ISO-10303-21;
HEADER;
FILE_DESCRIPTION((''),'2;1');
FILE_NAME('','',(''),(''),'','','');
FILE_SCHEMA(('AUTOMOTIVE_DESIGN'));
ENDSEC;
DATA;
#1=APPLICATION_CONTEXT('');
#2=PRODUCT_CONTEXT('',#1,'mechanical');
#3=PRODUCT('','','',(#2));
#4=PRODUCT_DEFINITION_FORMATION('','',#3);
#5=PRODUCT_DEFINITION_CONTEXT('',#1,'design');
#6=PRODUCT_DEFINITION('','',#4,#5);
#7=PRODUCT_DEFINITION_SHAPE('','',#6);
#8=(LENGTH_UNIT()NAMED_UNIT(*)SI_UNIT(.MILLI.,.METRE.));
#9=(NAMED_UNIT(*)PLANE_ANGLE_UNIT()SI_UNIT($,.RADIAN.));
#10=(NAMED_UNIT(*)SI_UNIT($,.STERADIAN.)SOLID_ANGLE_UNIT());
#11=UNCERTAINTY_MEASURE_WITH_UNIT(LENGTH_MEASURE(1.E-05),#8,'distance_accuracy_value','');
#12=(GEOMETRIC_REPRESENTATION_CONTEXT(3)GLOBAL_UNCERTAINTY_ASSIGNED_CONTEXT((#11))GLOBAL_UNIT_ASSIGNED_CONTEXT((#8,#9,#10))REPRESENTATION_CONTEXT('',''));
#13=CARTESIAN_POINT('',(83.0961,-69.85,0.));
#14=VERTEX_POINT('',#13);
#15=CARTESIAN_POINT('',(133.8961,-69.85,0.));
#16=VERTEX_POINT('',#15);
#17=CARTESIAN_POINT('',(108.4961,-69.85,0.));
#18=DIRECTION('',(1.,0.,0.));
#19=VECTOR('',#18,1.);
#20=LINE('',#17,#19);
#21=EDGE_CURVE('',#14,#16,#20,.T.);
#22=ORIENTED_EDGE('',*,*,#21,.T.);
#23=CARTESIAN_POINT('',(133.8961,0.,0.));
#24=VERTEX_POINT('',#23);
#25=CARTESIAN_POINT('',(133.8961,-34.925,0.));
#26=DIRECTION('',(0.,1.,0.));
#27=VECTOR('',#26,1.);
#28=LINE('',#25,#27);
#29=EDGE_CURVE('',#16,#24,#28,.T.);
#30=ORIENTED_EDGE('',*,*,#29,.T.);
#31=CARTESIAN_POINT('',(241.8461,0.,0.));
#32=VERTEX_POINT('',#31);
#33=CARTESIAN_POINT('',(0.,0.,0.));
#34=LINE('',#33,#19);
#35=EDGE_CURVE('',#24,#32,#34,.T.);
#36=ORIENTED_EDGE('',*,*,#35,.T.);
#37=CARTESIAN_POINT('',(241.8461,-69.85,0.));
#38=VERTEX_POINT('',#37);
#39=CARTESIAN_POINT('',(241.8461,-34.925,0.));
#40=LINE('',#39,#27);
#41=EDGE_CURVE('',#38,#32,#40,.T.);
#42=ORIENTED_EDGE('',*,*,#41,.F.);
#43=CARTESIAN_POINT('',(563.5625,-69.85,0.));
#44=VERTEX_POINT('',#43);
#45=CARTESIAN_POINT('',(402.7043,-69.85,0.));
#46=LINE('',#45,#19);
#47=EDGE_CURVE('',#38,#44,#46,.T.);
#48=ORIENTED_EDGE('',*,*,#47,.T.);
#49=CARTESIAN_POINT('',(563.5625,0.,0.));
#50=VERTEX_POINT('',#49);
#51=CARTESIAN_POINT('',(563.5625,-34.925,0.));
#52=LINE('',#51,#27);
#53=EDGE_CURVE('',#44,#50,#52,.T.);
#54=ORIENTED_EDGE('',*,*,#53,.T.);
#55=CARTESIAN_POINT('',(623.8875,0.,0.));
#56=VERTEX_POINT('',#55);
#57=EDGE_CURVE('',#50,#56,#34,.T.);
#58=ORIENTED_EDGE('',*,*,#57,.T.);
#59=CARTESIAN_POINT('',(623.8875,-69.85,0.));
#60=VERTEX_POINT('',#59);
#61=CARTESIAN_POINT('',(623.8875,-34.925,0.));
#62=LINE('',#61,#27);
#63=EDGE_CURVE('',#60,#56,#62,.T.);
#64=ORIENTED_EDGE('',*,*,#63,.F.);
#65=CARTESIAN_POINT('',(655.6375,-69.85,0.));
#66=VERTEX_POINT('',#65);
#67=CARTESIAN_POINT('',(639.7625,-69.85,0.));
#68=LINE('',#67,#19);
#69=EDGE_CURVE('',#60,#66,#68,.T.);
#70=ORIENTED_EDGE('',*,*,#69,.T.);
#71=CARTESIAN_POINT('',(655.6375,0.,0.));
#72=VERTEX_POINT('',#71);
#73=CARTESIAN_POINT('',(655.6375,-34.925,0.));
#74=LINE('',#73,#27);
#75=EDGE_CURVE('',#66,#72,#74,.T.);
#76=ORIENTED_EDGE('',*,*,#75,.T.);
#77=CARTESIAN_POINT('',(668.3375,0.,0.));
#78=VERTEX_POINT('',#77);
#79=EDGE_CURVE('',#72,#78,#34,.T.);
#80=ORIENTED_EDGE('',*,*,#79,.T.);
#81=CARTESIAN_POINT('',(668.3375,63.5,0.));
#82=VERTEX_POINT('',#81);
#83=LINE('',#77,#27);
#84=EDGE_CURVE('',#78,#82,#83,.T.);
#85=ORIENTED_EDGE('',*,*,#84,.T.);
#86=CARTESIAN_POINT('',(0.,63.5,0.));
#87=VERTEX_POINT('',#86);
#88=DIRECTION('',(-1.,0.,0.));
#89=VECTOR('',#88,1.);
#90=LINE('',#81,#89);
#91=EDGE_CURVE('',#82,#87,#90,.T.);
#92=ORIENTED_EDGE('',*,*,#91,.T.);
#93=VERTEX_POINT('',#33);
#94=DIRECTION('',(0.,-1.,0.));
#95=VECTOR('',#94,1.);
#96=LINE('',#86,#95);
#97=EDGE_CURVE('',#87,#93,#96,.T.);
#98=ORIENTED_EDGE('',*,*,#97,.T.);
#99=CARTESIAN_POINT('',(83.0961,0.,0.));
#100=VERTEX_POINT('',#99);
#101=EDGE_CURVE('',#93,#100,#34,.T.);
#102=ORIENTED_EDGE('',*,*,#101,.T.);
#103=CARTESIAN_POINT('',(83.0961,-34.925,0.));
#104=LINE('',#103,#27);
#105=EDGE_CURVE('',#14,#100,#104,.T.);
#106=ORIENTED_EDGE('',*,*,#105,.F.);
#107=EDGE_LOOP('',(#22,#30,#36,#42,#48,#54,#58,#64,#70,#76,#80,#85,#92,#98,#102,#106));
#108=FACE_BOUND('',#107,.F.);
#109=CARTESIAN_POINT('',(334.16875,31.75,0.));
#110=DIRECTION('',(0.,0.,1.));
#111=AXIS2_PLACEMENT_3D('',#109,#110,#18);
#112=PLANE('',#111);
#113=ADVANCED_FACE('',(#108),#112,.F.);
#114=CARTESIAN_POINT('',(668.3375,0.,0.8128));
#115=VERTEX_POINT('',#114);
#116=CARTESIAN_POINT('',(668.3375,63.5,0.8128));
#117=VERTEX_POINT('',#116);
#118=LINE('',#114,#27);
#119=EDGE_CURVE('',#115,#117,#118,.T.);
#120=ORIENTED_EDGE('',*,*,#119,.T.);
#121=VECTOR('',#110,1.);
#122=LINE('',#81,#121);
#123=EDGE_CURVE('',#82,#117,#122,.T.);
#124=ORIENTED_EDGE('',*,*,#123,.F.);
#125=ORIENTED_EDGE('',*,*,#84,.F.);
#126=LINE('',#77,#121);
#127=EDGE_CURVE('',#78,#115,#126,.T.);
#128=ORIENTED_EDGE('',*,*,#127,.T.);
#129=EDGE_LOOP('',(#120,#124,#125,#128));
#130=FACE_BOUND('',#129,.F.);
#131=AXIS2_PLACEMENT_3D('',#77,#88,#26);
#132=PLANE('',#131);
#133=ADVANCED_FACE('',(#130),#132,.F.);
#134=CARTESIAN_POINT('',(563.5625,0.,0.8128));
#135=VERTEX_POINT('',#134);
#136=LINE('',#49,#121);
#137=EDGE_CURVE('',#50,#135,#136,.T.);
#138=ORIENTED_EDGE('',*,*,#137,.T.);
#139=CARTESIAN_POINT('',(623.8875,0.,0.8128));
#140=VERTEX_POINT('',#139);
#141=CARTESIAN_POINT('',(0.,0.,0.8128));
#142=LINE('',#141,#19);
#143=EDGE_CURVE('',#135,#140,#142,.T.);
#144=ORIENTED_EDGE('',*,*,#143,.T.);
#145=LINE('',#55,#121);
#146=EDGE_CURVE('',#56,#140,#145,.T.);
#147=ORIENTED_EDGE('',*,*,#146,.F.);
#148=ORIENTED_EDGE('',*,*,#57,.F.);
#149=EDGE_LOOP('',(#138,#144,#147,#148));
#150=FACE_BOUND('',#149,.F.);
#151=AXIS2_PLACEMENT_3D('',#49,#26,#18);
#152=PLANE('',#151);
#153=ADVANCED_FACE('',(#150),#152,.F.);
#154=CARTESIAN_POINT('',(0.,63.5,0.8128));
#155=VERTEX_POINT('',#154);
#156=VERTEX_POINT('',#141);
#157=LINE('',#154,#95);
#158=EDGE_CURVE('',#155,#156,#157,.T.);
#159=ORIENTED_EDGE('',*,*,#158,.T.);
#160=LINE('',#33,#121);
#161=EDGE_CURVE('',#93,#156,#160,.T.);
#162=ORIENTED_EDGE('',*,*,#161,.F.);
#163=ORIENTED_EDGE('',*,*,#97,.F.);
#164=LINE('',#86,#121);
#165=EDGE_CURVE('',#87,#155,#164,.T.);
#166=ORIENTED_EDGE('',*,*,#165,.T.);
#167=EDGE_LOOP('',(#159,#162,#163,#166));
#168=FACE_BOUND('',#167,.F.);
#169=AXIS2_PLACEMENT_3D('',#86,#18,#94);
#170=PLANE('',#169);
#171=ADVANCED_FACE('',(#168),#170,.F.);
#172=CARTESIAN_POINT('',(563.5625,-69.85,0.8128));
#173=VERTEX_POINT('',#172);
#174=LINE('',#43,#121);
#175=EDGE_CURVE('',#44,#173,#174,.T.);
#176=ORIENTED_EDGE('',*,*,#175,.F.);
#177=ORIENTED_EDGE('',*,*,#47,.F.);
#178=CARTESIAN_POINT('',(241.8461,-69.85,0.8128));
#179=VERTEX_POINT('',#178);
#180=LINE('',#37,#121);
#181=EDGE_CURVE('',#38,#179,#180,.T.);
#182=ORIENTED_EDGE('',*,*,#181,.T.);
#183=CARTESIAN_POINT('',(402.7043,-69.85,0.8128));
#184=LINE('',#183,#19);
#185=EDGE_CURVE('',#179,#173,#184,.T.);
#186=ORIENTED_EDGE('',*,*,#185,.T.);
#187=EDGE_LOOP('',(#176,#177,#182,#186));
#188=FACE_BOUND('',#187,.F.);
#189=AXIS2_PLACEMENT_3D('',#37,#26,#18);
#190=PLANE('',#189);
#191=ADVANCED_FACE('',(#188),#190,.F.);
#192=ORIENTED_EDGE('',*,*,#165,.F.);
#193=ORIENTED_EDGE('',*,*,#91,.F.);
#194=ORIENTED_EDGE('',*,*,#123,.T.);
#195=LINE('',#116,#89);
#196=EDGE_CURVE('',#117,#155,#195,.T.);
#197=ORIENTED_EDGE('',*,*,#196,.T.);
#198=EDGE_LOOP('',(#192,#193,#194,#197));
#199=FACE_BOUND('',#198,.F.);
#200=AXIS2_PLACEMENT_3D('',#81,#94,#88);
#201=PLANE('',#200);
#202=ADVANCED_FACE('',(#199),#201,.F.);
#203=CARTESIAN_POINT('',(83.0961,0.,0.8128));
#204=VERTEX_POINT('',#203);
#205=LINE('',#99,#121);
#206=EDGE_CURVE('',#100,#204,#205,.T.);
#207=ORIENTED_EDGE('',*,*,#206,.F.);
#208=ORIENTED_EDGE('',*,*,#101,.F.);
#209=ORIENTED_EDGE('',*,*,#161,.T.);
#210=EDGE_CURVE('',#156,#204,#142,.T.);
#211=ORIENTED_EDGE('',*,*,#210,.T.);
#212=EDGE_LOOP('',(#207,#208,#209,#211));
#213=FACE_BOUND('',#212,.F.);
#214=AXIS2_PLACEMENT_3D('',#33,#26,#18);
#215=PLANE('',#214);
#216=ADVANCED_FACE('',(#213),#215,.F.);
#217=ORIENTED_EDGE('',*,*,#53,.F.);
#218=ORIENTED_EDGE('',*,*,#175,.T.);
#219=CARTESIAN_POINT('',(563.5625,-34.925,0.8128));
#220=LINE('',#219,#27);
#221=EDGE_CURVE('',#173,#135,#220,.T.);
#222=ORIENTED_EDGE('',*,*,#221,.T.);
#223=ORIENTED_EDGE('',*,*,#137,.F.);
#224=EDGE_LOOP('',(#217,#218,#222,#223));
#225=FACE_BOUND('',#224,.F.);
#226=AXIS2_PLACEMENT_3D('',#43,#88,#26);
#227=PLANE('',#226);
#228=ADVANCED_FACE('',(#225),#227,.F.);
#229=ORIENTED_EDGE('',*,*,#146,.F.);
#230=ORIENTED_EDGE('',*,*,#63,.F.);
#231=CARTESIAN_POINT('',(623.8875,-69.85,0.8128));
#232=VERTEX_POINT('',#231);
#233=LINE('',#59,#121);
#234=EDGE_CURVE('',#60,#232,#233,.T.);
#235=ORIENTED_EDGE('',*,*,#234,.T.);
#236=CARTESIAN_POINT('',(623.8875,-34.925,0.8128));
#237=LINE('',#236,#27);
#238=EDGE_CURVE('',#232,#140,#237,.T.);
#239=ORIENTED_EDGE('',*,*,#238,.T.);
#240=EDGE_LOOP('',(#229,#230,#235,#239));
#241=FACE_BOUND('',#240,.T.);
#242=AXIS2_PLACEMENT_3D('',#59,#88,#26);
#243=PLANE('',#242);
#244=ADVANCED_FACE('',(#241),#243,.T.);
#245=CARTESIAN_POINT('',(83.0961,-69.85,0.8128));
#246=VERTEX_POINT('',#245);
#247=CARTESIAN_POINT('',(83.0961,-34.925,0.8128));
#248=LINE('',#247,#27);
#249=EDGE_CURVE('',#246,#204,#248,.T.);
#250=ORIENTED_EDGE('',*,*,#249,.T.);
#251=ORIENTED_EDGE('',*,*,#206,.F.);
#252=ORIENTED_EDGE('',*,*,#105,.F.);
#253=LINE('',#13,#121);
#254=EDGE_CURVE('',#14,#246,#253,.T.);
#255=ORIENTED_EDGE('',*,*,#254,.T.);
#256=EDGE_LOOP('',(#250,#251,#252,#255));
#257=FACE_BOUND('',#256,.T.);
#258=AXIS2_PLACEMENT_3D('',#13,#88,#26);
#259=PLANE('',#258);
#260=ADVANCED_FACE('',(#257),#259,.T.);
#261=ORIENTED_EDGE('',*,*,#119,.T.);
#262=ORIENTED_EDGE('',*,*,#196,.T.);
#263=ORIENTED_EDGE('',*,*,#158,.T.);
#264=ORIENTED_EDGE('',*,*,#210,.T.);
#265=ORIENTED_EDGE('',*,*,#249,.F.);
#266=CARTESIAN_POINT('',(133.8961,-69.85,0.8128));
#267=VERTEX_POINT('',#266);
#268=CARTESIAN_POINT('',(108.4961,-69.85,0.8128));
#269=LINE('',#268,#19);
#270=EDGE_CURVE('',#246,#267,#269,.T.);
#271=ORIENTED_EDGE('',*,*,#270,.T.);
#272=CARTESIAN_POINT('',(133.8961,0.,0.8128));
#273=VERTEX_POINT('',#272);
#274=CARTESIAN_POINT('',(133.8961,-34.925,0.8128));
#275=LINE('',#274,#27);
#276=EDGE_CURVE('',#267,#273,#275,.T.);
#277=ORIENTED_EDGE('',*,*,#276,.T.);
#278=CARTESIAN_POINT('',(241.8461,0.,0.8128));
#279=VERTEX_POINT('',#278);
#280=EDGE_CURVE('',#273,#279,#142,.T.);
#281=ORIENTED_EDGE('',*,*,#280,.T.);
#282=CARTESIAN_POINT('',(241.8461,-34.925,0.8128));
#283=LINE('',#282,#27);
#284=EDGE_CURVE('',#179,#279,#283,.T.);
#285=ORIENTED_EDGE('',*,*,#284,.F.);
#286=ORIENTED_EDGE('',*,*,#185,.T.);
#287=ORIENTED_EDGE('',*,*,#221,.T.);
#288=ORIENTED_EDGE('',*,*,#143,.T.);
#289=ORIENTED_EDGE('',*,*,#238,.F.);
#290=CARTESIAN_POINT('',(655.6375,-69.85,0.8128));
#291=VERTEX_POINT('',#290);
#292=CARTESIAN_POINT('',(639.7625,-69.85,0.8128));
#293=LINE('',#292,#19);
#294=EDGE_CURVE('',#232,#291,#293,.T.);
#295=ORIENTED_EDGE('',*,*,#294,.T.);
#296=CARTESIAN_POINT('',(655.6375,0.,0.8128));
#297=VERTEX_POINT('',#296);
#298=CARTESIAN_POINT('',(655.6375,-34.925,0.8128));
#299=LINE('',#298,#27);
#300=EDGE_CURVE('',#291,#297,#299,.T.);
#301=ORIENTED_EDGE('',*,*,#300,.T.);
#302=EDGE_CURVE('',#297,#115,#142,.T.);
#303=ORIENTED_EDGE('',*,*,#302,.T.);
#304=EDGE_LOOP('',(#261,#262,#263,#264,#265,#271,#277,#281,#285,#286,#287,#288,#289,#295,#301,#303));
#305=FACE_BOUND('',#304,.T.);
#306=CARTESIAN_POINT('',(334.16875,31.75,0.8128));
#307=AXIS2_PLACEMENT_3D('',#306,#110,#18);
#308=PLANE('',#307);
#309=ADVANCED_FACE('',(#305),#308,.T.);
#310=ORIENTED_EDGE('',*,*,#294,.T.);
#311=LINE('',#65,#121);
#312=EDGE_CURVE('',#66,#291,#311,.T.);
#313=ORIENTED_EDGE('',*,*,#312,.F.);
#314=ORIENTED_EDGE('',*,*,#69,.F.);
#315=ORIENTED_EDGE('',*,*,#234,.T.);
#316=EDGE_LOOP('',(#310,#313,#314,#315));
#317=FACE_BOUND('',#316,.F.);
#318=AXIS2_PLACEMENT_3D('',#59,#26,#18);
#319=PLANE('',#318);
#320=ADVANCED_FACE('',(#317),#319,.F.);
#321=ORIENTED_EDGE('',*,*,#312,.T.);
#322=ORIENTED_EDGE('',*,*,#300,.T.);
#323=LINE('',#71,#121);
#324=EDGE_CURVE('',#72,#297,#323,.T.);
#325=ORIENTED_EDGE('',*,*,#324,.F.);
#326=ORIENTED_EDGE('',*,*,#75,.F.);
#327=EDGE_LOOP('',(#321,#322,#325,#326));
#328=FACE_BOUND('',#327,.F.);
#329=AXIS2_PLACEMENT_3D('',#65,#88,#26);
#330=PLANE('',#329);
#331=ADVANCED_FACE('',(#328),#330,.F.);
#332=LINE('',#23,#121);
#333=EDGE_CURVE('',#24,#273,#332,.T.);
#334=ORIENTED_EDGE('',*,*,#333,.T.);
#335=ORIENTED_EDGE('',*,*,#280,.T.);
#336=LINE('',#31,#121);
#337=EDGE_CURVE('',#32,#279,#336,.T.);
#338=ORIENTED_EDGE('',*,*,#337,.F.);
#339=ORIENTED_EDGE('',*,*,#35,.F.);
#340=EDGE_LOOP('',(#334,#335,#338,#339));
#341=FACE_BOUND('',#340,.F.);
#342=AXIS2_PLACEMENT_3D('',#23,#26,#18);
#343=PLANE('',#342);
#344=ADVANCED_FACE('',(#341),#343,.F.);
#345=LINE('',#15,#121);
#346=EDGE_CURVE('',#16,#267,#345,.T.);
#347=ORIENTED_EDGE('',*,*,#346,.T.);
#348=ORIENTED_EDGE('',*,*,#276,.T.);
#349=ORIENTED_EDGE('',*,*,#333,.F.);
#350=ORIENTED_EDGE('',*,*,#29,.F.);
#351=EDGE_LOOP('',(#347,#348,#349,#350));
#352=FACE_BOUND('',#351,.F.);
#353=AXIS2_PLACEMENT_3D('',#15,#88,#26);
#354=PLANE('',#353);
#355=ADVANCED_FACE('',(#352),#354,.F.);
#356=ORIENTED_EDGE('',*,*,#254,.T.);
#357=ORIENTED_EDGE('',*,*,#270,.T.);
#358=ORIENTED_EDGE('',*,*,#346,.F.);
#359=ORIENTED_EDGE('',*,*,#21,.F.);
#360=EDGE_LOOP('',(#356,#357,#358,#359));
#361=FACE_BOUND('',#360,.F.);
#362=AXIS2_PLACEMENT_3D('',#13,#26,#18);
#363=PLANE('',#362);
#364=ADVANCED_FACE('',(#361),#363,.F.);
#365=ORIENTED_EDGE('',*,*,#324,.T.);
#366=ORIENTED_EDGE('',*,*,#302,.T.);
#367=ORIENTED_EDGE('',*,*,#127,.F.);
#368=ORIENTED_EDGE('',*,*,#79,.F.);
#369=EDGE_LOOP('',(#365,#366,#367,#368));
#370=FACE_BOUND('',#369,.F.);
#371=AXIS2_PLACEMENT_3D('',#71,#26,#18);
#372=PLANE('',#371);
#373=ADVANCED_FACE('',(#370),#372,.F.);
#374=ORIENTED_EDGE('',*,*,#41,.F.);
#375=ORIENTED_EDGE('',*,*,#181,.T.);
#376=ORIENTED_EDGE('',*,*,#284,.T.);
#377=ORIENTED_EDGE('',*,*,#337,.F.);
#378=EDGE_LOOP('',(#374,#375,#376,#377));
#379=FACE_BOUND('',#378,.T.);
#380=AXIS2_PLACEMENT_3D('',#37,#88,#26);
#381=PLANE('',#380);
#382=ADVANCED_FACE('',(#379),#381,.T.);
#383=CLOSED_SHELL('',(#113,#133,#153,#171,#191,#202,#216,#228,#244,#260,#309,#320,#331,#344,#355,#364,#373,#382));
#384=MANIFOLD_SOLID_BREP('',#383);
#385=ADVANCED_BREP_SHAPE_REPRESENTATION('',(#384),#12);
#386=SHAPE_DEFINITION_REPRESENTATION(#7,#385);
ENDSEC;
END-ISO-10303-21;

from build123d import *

# Parameters (mm, degrees)
F0_W     = 50.8
F0_H     = 69.85
F0_W_2   = 321.7164
F0_W_3   = 31.75
F1_DEPTH = 0.8128


with BuildPart() as f1:
    # F0 (on Top) → F1 (new body)
    with BuildSketch(Plane.XY):
        Polygon((0, 63.5), (0, 0), (83.0961, 0), (133.8961, 0), (241.8461, 0), (563.5625, 0), (623.8875, 0), (655.6375, 0), (668.3375, 0), (668.3375, 63.5), align=None)
        with Locations((108.4961, -34.925)):
            Rectangle(F0_W, F0_H)
        with Locations((402.7043, -34.925)):
            Rectangle(F0_W_2, F0_H)
        with Locations((639.7625, -34.925)):
            Rectangle(F0_W_3, F0_H)
    extrude(amount=F1_DEPTH)


solid = f1.part
